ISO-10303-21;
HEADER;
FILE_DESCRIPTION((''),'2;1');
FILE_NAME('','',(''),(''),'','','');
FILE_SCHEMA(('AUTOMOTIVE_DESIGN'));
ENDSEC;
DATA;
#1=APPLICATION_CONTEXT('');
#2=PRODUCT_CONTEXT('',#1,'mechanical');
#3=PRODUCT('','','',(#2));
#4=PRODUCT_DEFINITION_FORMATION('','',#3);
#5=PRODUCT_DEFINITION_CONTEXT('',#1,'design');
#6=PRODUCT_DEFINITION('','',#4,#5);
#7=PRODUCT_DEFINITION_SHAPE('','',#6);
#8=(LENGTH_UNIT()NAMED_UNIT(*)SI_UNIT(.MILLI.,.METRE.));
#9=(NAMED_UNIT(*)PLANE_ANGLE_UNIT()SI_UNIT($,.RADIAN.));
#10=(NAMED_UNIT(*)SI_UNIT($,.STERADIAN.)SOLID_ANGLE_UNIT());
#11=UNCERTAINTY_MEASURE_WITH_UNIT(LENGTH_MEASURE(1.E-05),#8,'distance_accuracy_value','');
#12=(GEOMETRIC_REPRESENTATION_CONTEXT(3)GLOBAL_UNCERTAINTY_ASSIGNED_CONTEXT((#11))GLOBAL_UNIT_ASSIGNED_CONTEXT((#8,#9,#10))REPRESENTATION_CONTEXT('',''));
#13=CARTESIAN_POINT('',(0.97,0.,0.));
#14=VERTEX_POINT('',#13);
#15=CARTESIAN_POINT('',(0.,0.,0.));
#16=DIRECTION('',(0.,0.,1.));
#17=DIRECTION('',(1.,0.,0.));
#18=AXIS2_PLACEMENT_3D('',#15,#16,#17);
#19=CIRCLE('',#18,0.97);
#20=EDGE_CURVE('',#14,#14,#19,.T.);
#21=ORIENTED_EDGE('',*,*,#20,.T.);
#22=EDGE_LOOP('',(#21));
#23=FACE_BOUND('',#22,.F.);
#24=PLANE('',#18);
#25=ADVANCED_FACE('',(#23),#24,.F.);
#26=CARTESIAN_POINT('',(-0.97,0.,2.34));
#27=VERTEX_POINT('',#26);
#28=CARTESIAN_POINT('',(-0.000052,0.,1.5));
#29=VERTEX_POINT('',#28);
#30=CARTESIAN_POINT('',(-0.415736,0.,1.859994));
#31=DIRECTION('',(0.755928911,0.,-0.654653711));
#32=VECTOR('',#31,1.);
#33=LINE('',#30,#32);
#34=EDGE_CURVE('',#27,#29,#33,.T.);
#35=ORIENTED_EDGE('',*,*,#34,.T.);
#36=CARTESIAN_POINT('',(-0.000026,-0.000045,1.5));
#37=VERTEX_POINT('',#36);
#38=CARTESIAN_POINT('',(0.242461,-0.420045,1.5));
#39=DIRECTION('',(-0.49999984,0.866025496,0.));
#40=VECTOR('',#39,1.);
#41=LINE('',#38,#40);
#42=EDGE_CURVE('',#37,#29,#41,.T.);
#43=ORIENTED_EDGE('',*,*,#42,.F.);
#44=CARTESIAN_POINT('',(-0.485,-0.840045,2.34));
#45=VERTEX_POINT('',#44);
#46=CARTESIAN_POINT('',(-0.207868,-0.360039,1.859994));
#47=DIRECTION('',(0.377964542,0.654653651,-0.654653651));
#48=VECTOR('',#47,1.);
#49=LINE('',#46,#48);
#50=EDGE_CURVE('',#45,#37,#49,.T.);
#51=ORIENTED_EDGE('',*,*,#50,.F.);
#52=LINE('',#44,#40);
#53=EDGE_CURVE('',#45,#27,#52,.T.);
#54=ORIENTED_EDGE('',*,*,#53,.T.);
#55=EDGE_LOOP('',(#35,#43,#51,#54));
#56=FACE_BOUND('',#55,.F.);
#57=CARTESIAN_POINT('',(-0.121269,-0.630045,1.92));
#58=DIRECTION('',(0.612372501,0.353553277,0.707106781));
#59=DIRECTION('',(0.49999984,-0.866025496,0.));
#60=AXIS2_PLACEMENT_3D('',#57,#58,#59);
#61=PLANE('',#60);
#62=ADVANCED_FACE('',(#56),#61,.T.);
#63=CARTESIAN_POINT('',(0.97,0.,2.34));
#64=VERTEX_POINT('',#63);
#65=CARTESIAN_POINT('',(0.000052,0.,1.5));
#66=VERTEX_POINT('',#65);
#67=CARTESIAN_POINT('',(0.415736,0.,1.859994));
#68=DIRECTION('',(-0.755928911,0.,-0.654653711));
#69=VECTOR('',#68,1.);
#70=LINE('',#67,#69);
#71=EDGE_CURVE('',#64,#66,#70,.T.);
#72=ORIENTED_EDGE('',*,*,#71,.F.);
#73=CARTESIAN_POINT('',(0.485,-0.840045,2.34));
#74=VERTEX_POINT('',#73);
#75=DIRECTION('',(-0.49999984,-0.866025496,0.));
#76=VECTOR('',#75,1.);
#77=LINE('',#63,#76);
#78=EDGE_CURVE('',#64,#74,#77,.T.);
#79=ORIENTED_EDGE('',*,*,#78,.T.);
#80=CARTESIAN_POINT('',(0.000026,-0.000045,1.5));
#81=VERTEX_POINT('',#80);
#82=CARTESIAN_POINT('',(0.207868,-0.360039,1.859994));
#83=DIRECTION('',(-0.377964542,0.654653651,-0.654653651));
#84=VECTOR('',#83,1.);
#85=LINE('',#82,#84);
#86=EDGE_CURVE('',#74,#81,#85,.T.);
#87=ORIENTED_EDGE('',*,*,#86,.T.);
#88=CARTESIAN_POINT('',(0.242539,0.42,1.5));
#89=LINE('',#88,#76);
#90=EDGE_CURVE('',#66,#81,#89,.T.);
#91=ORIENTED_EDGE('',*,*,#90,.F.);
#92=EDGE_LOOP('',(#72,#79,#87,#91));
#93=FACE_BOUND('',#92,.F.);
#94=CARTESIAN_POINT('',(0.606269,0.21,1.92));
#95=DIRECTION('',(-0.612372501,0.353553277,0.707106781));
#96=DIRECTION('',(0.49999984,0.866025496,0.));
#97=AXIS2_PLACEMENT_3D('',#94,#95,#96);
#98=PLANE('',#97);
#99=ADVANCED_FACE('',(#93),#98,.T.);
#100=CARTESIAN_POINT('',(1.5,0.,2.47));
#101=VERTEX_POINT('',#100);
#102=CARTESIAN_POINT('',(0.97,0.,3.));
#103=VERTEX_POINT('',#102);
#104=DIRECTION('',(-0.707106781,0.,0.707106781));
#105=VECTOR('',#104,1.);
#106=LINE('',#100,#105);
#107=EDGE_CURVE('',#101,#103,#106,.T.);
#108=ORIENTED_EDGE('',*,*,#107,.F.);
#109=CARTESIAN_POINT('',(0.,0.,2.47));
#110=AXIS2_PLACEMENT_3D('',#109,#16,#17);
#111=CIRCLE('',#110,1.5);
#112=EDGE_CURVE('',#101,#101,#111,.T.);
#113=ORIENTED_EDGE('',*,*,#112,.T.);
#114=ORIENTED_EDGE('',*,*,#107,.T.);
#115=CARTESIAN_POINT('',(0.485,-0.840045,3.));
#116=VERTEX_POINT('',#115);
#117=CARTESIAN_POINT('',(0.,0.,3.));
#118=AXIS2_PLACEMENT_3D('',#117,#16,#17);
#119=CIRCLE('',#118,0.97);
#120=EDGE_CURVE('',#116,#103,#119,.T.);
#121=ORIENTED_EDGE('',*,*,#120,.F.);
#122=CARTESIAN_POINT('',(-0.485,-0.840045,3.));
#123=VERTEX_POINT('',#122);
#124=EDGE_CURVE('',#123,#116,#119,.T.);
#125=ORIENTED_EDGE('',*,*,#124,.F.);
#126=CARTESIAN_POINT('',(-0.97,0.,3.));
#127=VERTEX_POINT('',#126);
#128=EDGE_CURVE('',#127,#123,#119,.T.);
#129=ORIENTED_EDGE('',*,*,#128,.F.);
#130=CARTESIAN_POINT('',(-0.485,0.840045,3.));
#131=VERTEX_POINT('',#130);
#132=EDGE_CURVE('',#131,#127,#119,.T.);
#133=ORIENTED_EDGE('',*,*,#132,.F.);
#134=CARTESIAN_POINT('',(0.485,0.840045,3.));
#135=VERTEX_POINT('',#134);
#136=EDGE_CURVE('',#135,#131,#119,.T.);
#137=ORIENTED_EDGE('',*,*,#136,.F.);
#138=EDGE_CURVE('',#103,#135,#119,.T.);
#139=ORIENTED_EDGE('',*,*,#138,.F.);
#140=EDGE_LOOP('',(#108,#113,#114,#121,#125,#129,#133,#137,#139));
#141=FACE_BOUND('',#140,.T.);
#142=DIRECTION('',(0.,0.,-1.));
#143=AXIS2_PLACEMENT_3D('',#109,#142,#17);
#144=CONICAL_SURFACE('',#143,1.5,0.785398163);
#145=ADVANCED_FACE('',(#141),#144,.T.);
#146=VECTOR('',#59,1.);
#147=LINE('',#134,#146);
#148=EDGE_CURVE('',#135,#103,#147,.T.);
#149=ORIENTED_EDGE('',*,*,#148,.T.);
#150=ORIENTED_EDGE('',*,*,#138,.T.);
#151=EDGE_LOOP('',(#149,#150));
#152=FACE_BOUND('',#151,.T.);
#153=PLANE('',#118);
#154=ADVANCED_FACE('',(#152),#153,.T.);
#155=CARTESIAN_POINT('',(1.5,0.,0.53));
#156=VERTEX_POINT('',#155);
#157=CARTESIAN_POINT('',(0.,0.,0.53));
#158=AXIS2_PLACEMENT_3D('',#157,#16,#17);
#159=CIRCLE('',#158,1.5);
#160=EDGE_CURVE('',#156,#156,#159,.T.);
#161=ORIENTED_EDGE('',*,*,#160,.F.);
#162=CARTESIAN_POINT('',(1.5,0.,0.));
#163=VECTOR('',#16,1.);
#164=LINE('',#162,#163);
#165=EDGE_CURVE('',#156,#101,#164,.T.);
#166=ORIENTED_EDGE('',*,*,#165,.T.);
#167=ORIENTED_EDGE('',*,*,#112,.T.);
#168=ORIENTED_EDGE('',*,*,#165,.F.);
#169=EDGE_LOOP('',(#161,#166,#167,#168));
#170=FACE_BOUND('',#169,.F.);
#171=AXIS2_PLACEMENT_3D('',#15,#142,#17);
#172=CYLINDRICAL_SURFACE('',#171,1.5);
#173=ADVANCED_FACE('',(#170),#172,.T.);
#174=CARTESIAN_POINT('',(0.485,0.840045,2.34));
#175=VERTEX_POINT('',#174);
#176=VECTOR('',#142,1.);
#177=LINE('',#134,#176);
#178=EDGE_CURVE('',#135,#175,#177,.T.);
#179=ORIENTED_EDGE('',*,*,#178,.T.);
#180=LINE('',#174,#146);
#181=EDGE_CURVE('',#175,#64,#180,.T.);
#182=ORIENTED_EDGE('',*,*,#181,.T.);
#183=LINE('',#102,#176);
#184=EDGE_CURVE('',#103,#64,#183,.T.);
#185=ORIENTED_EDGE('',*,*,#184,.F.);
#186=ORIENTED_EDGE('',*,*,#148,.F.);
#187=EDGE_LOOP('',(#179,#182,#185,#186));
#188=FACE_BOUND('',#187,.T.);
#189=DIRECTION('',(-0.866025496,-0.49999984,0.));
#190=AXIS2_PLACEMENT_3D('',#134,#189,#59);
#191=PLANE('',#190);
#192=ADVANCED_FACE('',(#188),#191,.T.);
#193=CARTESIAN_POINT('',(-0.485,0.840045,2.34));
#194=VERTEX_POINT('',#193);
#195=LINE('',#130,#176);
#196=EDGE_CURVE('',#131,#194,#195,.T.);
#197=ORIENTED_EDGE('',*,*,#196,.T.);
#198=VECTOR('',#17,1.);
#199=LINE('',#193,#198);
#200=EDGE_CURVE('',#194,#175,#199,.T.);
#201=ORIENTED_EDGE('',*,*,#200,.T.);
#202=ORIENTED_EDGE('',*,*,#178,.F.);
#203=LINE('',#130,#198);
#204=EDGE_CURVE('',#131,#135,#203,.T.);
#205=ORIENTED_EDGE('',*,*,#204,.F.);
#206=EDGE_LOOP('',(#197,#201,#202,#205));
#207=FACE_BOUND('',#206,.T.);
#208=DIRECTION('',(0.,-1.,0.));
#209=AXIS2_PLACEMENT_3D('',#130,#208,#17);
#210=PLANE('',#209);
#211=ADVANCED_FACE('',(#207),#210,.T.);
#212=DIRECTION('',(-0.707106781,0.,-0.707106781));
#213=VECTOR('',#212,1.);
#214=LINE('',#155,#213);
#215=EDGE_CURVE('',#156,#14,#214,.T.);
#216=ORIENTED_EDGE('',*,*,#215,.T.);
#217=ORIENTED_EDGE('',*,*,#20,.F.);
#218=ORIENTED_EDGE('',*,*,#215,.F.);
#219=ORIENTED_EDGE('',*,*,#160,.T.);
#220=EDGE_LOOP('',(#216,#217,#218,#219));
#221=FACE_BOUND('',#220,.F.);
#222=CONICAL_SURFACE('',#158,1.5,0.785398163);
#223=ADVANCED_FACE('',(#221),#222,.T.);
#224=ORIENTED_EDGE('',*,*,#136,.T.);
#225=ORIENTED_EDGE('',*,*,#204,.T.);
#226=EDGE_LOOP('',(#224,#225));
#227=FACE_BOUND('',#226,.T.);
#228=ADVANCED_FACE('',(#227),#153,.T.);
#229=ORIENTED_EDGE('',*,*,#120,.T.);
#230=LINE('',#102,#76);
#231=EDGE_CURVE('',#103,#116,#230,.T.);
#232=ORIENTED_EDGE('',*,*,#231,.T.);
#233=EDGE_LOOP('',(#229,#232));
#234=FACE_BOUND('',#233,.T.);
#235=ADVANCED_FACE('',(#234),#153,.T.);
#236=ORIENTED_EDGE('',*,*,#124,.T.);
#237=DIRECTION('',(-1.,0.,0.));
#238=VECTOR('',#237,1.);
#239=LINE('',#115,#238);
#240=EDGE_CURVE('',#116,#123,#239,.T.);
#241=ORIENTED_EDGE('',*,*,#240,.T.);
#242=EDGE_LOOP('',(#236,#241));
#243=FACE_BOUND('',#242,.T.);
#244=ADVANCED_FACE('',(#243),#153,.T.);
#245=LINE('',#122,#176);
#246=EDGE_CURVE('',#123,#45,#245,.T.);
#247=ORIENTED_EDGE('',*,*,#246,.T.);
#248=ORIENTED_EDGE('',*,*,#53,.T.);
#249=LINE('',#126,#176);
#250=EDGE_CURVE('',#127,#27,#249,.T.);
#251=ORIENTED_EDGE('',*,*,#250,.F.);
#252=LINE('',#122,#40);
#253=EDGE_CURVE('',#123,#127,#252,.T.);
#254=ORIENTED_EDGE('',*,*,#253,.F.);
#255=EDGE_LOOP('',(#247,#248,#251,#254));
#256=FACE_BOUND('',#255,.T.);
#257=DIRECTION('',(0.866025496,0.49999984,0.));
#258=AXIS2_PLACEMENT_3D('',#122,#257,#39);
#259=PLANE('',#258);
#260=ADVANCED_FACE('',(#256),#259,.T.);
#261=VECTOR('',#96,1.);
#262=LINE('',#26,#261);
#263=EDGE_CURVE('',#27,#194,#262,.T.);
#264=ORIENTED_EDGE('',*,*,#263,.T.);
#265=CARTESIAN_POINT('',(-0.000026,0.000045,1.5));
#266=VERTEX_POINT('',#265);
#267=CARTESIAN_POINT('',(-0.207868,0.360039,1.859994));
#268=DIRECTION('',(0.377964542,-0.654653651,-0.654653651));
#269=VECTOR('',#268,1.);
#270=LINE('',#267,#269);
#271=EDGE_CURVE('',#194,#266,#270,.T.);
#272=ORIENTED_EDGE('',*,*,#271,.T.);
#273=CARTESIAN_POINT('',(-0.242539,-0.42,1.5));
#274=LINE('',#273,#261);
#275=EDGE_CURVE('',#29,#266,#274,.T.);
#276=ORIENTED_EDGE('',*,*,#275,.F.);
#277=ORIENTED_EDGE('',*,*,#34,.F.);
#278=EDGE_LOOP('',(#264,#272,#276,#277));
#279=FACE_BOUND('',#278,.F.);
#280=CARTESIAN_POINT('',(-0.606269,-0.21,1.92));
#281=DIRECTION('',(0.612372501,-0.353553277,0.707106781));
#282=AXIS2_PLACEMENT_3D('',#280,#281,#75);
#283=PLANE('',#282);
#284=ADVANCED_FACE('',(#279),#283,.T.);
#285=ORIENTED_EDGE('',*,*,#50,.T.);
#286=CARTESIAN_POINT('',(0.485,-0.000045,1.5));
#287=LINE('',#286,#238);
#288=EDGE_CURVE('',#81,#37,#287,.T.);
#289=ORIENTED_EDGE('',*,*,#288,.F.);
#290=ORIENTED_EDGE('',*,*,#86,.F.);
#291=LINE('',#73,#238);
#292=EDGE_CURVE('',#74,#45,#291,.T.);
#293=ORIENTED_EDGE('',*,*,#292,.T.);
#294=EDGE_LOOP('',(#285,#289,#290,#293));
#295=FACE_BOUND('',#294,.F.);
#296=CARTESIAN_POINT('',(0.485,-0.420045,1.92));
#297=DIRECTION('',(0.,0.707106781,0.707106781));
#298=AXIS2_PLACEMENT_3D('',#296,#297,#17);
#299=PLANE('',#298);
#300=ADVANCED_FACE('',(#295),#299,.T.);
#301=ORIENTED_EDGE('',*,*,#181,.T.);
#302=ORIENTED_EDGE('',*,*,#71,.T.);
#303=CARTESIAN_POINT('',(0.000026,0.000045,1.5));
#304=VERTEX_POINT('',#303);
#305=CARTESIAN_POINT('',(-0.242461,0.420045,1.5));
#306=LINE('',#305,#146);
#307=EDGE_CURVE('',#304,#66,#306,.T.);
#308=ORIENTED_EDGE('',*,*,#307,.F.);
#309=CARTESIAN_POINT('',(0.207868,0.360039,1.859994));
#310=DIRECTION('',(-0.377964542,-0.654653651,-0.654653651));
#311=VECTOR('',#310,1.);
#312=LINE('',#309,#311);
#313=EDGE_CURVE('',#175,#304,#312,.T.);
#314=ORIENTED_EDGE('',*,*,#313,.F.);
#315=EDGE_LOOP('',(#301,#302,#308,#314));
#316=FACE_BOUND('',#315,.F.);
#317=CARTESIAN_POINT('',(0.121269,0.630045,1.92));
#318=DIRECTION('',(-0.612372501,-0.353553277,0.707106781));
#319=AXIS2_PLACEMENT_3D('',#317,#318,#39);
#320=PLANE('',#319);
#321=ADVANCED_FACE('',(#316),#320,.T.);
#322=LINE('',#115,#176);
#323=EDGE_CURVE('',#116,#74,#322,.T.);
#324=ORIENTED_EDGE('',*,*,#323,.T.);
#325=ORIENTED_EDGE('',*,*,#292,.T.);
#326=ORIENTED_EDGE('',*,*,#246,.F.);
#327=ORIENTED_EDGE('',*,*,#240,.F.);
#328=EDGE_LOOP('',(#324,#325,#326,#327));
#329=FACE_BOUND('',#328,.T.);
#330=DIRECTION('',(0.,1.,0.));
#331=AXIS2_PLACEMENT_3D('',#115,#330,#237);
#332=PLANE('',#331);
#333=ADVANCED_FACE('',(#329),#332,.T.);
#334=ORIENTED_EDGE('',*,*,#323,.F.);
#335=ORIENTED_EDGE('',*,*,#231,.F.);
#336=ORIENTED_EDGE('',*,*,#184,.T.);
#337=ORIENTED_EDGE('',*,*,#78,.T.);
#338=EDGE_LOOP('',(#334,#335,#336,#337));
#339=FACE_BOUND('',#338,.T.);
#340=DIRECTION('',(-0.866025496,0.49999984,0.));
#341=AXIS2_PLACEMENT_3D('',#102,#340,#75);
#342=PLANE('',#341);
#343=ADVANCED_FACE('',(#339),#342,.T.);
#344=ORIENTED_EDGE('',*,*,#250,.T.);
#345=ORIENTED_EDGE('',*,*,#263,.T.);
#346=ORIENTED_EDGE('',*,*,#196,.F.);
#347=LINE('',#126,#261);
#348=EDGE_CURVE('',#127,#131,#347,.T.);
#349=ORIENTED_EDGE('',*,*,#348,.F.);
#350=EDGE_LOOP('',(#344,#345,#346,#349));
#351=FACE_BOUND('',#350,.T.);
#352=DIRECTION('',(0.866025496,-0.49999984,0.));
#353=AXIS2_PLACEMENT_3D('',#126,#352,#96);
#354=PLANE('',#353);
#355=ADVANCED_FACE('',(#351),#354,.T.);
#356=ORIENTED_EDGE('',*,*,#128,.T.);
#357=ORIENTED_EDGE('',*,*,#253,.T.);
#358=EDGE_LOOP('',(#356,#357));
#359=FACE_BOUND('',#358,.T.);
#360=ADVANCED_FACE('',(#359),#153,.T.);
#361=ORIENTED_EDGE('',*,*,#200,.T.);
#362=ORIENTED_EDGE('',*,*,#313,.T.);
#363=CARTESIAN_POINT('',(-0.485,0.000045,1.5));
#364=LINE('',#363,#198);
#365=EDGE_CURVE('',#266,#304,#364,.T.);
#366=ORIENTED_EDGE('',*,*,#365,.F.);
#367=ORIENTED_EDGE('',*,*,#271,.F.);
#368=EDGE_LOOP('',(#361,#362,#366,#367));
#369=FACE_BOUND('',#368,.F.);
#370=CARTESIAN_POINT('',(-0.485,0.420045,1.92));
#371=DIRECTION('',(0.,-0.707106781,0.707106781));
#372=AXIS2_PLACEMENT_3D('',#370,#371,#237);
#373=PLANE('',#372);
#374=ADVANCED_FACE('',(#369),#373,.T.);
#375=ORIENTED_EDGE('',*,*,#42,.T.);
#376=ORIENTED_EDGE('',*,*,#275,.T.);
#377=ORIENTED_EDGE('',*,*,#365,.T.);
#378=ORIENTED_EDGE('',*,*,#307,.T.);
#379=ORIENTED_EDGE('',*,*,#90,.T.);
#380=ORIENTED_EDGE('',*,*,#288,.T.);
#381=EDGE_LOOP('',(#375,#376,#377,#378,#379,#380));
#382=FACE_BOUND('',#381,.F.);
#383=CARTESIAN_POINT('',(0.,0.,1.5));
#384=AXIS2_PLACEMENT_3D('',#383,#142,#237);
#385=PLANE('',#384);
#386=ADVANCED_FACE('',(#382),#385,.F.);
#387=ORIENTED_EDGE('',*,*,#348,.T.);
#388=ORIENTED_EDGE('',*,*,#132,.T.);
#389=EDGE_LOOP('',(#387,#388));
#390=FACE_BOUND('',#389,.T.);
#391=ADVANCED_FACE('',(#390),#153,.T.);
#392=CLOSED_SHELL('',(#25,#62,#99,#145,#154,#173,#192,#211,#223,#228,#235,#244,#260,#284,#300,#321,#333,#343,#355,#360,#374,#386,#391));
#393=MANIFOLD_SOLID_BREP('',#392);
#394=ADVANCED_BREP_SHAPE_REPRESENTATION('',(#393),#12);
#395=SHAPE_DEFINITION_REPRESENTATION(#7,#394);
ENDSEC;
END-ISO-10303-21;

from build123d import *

# Parameters (mm, degrees)
SKETCH_R        = 1.5
PAD_DEPTH       = 3
CHAMFER_SIZE    = 0.53
POCKET_DEPTH    = 1.5
CHAMFER001_SIZE = 0.84


with BuildPart() as part:
    # Sketch → Pad (new body)
    with BuildSketch(Plane.XY):
        Circle(SKETCH_R)
    extrude(amount=PAD_DEPTH)

    # Chamfer
    chamfer_edges = [part.edges().sort_by_distance(p)[0] for p in [
        (-1.5, 0, 3),
        (-1.5, 0, 0),
    ]]
    chamfer(chamfer_edges, length=CHAMFER_SIZE)

    # Sketch001 → Pocket (cut)
    with BuildSketch(Plane.XY.offset(3)):
        Polygon((-0.485, 0.840045), (0.485, 0.840045), (0.97, 0), (0.485, -0.840045), (-0.485, -0.840045), (-0.97, 0), align=None)
    extrude(amount=-POCKET_DEPTH, mode=Mode.SUBTRACT)

    # Chamfer001
    chamfer001_edges = [part.edges().sort_by_distance(p)[0] for p in [
        (0, 0.840045, 1.5),
        (0.7275, 0.420022, 1.5),
        (0.7275, -0.420022, 1.5),
        (0, -0.840045, 1.5),
        (-0.7275, -0.420022, 1.5),
        (-0.7275, 0.420022, 1.5),
    ]]
    chamfer(chamfer001_edges, length=CHAMFER001_SIZE)


solid = part.part
